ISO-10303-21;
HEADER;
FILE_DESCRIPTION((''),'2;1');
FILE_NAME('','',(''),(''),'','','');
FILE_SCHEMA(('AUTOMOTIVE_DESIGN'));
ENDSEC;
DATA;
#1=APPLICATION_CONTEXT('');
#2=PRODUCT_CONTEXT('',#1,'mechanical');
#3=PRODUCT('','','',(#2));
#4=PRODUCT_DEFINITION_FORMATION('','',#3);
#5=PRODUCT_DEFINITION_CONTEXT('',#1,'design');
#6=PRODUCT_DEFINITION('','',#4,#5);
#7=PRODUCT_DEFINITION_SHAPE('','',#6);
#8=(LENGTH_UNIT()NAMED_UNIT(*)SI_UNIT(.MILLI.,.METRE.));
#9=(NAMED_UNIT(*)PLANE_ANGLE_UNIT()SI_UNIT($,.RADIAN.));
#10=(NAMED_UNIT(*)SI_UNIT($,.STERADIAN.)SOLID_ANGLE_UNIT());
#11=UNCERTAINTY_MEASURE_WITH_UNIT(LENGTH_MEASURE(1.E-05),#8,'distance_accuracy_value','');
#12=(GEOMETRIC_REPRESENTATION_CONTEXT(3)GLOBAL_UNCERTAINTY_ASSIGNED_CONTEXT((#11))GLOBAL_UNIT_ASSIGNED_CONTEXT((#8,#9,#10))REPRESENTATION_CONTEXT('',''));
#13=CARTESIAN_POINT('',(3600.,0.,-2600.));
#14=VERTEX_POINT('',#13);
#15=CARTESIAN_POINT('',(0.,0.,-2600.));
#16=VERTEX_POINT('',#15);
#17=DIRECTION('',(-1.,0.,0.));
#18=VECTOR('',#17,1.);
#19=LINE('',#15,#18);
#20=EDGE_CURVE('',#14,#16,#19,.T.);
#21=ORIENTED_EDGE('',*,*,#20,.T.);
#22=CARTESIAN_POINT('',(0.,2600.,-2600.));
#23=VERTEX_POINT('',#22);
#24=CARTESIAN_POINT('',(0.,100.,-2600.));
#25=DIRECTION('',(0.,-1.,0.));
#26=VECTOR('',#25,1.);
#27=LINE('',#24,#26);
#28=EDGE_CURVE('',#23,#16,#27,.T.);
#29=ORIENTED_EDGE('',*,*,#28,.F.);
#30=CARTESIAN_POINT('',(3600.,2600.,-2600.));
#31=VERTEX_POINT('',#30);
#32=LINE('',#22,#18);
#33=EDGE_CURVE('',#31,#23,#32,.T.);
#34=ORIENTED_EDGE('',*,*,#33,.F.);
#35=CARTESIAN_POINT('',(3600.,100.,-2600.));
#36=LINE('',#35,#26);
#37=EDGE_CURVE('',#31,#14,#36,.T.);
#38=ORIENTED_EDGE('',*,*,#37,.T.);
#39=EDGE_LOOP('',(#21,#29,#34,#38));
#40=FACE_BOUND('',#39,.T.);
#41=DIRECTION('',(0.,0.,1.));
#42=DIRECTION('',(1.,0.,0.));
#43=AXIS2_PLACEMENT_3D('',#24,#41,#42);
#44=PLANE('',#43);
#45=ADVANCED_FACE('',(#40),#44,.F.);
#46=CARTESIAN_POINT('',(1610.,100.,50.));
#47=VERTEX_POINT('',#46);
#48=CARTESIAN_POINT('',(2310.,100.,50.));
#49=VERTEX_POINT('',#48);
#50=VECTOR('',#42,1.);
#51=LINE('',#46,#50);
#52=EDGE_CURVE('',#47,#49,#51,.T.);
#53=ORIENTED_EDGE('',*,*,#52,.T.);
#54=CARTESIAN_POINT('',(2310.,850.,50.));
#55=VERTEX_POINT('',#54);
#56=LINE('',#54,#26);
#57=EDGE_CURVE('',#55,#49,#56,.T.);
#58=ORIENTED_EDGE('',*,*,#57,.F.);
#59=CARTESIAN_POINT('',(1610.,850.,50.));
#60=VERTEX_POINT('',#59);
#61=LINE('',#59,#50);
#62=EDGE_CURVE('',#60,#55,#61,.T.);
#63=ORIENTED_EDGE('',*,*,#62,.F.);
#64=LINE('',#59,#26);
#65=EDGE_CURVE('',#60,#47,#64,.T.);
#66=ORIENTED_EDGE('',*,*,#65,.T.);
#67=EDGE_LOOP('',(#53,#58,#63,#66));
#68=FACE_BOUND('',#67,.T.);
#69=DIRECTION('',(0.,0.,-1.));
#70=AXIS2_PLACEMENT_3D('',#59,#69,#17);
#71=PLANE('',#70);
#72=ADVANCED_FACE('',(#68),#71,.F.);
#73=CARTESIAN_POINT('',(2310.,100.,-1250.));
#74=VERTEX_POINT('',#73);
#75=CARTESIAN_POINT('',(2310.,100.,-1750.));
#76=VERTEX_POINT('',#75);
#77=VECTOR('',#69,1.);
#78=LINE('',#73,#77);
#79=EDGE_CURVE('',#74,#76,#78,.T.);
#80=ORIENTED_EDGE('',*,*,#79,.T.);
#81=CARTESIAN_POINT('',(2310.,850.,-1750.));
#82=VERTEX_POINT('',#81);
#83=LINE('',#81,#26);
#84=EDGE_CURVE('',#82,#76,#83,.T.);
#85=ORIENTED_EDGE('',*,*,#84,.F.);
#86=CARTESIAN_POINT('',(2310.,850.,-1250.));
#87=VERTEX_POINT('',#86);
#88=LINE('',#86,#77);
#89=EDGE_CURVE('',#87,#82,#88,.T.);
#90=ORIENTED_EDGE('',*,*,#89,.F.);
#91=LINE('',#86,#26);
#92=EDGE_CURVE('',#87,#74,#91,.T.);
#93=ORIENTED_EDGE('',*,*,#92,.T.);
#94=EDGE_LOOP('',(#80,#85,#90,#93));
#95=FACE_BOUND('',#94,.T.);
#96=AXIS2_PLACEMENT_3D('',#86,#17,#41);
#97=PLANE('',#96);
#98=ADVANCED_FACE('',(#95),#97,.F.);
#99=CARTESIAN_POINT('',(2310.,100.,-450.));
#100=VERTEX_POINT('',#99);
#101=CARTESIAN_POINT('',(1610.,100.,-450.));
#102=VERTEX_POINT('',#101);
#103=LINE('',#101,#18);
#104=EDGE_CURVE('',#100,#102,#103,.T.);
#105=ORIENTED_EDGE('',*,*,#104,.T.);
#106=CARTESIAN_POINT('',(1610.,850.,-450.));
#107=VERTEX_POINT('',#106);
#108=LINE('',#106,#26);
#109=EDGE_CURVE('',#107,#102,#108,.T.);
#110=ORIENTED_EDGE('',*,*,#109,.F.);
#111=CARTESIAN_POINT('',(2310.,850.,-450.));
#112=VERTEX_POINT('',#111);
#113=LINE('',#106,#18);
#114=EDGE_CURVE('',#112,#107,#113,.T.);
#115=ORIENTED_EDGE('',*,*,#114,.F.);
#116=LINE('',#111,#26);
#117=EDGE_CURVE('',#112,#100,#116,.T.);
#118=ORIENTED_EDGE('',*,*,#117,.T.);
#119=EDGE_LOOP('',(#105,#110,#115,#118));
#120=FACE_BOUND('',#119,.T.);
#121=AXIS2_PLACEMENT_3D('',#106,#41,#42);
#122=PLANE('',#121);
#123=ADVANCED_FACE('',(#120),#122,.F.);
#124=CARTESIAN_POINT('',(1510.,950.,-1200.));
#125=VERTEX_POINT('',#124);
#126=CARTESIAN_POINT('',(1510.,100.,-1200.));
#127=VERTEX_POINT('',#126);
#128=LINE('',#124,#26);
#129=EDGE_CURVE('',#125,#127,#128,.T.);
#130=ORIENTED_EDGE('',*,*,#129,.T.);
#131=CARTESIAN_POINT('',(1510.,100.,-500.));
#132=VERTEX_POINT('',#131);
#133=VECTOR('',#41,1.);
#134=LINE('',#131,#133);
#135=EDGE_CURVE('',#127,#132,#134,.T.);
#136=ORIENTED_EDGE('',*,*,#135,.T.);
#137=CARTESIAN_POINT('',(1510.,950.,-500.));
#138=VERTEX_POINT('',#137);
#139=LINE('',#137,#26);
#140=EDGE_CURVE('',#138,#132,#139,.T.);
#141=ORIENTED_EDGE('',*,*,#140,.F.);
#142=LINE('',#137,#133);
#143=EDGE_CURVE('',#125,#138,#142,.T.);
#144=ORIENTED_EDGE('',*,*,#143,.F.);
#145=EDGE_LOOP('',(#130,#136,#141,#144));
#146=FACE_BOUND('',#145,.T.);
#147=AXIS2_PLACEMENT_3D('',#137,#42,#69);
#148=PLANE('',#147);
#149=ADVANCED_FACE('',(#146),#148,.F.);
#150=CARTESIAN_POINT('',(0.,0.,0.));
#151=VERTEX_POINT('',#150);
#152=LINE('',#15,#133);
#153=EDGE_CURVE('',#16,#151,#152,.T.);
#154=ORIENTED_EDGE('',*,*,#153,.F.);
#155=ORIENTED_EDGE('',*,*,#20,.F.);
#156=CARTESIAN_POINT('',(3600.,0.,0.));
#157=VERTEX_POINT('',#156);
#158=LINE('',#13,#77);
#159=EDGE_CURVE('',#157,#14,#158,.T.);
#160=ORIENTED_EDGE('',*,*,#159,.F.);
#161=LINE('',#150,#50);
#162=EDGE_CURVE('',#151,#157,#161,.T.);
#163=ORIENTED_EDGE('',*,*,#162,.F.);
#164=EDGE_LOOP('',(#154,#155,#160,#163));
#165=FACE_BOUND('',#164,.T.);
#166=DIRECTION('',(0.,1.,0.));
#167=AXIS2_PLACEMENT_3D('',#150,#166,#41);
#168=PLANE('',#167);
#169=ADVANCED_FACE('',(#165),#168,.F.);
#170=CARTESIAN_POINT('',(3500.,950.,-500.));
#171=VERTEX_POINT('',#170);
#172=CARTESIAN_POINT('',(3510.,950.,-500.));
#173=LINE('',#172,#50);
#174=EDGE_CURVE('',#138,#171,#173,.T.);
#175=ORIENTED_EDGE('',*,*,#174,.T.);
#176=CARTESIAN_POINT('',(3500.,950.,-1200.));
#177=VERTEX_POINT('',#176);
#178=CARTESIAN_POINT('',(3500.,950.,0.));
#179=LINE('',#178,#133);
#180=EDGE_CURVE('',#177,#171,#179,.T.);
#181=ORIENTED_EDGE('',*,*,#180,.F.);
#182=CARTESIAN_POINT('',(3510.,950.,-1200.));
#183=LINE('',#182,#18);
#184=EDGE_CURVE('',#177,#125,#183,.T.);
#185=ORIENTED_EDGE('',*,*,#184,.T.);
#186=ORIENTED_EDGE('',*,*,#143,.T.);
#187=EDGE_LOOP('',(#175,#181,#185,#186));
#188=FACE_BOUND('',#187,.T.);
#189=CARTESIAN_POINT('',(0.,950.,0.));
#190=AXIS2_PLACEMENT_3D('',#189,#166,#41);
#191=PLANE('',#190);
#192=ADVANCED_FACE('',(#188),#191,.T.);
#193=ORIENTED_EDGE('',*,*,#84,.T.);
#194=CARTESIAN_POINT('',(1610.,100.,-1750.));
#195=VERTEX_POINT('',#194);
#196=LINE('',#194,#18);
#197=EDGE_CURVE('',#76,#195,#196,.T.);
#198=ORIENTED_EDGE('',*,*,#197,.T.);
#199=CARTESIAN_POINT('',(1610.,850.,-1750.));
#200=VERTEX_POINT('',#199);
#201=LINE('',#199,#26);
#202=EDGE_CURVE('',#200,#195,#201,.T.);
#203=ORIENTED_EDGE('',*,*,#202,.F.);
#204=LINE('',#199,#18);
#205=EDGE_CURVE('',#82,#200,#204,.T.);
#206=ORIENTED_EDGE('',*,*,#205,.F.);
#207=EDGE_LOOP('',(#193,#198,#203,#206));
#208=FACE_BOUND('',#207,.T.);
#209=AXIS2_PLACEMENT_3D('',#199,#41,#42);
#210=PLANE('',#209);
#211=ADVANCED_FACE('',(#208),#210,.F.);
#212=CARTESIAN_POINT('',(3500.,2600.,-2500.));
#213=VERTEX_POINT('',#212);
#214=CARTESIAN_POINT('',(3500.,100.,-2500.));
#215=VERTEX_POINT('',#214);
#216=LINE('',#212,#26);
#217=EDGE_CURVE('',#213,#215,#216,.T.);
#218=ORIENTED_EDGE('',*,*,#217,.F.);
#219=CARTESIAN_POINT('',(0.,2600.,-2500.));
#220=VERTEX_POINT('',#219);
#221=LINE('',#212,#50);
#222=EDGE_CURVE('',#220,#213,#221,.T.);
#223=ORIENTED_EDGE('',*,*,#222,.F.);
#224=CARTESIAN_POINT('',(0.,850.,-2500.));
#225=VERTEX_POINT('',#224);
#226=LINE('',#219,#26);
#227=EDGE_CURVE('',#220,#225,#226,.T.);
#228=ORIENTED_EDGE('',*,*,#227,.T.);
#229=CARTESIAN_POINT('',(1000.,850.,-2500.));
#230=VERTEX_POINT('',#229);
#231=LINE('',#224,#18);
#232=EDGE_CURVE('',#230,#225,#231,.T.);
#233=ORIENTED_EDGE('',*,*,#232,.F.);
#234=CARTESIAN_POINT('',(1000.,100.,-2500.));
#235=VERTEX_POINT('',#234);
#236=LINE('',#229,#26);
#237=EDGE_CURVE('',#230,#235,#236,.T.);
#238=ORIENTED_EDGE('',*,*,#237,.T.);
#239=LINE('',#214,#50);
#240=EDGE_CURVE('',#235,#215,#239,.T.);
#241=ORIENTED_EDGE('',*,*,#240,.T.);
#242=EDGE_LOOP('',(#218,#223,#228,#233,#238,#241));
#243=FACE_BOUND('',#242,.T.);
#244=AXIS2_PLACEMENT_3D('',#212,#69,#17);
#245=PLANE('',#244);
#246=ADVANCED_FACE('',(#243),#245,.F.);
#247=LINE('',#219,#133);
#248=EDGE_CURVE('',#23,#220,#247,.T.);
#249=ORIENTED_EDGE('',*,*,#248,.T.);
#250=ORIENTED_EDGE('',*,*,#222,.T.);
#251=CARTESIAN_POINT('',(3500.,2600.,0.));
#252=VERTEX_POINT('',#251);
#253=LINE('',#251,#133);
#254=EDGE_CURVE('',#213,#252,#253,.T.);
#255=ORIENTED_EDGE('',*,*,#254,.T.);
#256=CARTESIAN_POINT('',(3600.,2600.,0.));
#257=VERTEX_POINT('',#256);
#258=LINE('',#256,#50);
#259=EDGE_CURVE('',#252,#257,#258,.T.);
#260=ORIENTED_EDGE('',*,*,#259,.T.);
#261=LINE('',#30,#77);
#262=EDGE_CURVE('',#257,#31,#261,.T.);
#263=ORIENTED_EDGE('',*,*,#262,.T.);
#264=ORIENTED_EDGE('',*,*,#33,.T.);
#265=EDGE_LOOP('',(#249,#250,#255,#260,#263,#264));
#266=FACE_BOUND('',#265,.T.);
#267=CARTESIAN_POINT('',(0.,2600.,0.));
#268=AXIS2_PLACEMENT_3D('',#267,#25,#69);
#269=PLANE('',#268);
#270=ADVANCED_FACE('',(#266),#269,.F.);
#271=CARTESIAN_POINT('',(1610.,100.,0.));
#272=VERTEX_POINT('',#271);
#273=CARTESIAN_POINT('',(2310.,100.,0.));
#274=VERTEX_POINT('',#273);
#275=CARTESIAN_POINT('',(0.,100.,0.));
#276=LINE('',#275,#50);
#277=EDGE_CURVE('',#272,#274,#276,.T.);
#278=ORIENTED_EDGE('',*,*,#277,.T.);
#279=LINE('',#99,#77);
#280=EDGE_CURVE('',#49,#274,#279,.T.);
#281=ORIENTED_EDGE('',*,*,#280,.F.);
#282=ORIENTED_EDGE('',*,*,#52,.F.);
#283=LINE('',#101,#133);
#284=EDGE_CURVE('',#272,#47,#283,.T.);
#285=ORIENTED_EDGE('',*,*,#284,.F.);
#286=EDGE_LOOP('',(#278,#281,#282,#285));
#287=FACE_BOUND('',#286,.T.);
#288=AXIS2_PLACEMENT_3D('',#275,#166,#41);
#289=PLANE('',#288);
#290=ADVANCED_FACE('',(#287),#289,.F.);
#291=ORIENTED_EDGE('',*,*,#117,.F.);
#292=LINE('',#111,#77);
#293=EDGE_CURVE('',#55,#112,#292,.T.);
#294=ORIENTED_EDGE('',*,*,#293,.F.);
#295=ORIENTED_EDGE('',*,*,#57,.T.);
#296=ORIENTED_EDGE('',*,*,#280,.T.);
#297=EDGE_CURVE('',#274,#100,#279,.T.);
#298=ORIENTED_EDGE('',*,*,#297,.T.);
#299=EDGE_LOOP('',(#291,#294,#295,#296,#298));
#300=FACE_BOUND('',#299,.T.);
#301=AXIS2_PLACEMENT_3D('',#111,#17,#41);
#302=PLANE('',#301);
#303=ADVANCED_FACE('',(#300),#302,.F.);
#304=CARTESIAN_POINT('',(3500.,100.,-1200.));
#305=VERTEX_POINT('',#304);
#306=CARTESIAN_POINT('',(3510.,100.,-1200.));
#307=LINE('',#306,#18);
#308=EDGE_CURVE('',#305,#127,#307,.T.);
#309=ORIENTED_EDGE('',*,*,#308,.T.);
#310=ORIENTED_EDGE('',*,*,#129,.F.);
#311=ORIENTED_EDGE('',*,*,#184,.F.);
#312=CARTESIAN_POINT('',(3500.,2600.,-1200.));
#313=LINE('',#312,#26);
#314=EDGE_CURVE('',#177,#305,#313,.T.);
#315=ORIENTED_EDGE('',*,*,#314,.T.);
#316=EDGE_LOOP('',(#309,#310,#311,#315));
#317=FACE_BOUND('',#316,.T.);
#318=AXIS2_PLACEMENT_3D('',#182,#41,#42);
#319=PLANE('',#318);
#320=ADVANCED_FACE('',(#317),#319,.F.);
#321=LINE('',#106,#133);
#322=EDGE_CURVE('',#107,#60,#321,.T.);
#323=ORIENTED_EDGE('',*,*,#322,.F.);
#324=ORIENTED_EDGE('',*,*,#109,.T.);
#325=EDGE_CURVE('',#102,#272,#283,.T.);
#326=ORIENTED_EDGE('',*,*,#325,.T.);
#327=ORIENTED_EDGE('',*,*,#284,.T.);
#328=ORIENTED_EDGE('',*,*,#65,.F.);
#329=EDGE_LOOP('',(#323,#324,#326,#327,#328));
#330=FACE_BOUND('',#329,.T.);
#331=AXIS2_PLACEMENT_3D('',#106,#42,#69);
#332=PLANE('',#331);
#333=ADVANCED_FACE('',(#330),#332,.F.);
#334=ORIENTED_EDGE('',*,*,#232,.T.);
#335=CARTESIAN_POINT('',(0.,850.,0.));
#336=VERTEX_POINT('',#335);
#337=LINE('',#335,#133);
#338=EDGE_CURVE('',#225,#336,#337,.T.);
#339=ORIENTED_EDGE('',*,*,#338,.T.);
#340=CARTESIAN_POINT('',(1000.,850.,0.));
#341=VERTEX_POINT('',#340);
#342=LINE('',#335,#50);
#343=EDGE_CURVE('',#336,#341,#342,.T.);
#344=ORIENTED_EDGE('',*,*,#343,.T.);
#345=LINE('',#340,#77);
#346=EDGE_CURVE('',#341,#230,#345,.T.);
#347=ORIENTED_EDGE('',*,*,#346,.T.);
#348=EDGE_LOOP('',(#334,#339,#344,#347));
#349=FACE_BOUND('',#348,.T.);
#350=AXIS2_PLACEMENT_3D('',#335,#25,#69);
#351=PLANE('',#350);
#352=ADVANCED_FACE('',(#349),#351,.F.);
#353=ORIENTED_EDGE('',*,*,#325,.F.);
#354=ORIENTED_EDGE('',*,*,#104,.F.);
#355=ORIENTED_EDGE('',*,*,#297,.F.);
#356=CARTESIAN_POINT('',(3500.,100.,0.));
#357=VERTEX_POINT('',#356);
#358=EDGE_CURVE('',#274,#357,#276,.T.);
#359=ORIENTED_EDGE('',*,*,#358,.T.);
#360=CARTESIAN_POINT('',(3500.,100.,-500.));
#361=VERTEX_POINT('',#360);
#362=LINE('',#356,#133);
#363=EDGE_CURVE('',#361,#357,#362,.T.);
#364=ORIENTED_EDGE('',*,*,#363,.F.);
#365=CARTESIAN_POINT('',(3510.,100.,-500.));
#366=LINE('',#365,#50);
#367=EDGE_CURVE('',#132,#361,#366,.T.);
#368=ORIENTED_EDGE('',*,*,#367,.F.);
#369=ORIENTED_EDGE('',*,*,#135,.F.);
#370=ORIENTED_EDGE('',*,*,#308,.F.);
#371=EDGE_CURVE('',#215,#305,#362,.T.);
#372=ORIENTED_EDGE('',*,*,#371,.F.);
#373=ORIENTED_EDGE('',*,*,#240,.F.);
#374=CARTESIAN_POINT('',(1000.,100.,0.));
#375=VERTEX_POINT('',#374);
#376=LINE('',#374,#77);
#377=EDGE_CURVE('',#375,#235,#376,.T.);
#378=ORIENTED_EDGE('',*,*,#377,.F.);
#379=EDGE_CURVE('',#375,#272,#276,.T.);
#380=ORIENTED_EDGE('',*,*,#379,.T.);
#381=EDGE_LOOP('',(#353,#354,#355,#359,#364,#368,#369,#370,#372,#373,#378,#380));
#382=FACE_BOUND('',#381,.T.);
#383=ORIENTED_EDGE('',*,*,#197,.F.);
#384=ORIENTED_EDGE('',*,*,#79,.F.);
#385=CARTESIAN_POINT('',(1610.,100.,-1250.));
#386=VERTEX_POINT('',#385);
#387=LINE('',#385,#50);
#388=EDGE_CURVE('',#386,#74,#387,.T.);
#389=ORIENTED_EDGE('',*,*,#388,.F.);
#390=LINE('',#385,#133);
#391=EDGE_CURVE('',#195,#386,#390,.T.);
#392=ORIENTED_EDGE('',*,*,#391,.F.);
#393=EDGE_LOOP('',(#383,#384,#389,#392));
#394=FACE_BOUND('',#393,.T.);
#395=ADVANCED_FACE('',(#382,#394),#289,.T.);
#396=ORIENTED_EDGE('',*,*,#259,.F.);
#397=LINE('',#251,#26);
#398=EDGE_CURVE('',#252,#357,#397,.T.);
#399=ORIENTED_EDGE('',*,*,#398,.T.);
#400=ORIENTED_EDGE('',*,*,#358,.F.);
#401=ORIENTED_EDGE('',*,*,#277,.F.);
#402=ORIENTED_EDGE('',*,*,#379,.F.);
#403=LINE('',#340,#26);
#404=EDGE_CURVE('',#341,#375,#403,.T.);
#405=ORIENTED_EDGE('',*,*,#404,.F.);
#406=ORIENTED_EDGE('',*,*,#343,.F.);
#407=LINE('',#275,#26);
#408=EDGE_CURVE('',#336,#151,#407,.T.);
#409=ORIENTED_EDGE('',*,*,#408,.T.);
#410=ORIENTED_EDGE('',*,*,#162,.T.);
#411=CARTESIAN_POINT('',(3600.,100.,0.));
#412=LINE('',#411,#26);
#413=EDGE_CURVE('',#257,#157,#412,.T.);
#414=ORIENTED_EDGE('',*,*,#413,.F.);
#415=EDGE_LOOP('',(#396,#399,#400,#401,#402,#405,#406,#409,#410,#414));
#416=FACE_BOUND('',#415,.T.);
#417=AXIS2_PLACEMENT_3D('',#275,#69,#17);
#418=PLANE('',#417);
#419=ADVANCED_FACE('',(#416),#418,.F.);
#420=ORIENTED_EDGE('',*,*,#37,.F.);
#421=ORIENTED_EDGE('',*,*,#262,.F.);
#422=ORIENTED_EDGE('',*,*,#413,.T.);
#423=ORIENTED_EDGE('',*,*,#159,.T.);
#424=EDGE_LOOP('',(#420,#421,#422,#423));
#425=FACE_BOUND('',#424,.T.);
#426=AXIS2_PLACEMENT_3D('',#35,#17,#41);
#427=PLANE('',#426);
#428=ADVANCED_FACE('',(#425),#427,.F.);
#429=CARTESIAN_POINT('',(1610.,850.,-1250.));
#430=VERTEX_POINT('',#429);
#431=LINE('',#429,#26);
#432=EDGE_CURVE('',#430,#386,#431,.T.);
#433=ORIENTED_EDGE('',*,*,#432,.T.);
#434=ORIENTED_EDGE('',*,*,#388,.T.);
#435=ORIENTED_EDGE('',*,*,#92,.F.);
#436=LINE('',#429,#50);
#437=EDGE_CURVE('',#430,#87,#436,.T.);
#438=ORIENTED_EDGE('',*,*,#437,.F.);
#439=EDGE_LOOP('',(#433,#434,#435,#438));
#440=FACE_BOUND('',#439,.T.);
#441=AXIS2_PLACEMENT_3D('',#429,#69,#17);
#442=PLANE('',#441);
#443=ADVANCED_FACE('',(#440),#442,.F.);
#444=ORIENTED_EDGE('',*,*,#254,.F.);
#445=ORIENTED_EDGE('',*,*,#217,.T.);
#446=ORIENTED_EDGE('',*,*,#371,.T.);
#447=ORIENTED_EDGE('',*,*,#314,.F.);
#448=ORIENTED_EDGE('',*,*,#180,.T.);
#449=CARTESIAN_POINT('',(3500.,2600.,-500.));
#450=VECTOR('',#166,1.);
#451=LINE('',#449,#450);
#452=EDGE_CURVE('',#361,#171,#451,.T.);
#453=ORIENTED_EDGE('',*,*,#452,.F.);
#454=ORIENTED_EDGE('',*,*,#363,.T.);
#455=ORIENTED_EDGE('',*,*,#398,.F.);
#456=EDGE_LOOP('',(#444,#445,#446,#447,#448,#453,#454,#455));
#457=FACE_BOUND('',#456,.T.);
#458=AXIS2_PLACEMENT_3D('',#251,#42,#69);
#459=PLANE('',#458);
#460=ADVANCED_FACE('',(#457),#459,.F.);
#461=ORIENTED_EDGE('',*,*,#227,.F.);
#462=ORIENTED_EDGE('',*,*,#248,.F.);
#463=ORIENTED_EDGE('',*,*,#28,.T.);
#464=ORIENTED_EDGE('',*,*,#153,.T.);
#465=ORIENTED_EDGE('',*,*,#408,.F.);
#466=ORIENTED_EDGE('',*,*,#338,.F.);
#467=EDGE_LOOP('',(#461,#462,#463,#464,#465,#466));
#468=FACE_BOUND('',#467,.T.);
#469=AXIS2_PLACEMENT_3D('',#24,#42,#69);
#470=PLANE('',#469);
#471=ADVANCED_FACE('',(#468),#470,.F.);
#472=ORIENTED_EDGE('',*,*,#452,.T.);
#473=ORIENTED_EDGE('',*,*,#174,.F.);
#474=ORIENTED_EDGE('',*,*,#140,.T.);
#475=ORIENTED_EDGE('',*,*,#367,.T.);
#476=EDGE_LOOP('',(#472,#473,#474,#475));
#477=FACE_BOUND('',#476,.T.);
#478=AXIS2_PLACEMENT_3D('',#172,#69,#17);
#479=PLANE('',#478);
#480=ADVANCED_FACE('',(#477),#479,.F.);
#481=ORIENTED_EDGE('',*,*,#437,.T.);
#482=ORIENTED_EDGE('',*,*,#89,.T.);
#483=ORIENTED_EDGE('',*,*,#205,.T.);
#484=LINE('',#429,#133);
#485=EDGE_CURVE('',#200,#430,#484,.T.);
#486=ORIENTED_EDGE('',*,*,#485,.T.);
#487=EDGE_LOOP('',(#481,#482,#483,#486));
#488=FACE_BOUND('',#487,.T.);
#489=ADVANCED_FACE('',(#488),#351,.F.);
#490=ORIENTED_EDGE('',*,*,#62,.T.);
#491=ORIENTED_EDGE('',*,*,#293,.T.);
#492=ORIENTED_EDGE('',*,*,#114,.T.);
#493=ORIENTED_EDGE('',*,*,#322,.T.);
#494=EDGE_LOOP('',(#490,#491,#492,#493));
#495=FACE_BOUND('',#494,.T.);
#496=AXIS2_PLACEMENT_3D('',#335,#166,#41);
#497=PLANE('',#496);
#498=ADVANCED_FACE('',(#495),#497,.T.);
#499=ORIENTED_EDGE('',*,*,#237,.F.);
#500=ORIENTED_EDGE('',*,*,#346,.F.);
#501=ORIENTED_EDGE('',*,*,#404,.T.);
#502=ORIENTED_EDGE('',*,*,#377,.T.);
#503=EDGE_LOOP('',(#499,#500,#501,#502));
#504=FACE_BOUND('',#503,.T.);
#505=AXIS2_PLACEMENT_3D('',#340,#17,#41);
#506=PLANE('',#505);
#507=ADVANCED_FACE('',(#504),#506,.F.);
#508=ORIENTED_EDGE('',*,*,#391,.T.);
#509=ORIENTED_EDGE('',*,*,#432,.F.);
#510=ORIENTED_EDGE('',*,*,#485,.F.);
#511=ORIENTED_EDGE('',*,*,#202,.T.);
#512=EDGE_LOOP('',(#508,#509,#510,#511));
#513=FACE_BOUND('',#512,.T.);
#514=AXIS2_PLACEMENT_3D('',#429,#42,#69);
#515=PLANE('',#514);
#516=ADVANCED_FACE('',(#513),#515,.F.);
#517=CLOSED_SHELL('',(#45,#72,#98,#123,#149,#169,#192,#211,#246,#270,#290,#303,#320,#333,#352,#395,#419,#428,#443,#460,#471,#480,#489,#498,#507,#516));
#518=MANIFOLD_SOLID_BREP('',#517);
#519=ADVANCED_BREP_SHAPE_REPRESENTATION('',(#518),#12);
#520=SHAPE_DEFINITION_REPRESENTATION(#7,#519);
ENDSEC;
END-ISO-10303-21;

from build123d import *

# Parameters (mm, degrees)
SKETCH1_W           = 3600
SKETCH1_H           = 2600
BOSS_EXTRUDE1_DEPTH = 100
BOSS_EXTRUDE2_DEPTH = 2500
SKETCH4_W           = 2000
SKETCH4_H           = 700
BOSS_EXTRUDE3_DEPTH = 850
SKETCH5_W           = 1000
SKETCH5_H           = 2500
BOSS_EXTRUDE4_DEPTH = 750
SKETCH6_W           = 700
SKETCH6_H           = 500
BOSS_EXTRUDE5_DEPTH = 750
SKETCH7_W           = 700
SKETCH7_H           = 500
BOSS_EXTRUDE6_DEPTH = 750


with BuildPart() as part:
    # Sketch1 → Boss-Extrude1 (new body)
    with BuildSketch(Plane(origin=(0, 0, 0), x_dir=(1, 0, 0), z_dir=(0, 1, 0))):
        with Locations((1800, 1300)):
            Rectangle(SKETCH1_W, SKETCH1_H)
    extrude(amount=BOSS_EXTRUDE1_DEPTH)

    # Sketch2 → Boss-Extrude2 (add)
    with BuildSketch(Plane(origin=(0, 100, 0), x_dir=(1, 0, 0), z_dir=(0, 1, 0))):
        Polygon((3600, 0), (3500, 0), (3500, 2500), (0, 2500), (0, 2600), (3600, 2600), align=None)
    extrude(amount=BOSS_EXTRUDE2_DEPTH)

    # Sketch4 → Boss-Extrude3 (add)
    with BuildSketch(Plane(origin=(0, 100, 0), x_dir=(1, 0, 0), z_dir=(0, 1, 0))):
        with Locations((2510, 850)):
            Rectangle(SKETCH4_W, SKETCH4_H)
    extrude(amount=BOSS_EXTRUDE3_DEPTH)

    # Sketch5 → Boss-Extrude4 (add)
    with BuildSketch(Plane(origin=(0, 100, 0), x_dir=(1, 0, 0), z_dir=(0, 1, 0))):
        with Locations((500, 1250)):
            Rectangle(SKETCH5_W, SKETCH5_H)
    extrude(amount=BOSS_EXTRUDE4_DEPTH)

    # Sketch6 → Boss-Extrude5 (add)
    with BuildSketch(Plane(origin=(0, 100, 0), x_dir=(1, 0, 0), z_dir=(0, 1, 0))):
        with Locations((1960, 1500)):
            Rectangle(SKETCH6_W, SKETCH6_H)
    extrude(amount=BOSS_EXTRUDE5_DEPTH)

    # Sketch7 → Boss-Extrude6 (add)
    with BuildSketch(Plane(origin=(0, 100, 0), x_dir=(1, 0, 0), z_dir=(0, 1, 0))):
        with Locations((1960, 200)):
            Rectangle(SKETCH7_W, SKETCH7_H)
    extrude(amount=BOSS_EXTRUDE6_DEPTH)


solid = part.part
